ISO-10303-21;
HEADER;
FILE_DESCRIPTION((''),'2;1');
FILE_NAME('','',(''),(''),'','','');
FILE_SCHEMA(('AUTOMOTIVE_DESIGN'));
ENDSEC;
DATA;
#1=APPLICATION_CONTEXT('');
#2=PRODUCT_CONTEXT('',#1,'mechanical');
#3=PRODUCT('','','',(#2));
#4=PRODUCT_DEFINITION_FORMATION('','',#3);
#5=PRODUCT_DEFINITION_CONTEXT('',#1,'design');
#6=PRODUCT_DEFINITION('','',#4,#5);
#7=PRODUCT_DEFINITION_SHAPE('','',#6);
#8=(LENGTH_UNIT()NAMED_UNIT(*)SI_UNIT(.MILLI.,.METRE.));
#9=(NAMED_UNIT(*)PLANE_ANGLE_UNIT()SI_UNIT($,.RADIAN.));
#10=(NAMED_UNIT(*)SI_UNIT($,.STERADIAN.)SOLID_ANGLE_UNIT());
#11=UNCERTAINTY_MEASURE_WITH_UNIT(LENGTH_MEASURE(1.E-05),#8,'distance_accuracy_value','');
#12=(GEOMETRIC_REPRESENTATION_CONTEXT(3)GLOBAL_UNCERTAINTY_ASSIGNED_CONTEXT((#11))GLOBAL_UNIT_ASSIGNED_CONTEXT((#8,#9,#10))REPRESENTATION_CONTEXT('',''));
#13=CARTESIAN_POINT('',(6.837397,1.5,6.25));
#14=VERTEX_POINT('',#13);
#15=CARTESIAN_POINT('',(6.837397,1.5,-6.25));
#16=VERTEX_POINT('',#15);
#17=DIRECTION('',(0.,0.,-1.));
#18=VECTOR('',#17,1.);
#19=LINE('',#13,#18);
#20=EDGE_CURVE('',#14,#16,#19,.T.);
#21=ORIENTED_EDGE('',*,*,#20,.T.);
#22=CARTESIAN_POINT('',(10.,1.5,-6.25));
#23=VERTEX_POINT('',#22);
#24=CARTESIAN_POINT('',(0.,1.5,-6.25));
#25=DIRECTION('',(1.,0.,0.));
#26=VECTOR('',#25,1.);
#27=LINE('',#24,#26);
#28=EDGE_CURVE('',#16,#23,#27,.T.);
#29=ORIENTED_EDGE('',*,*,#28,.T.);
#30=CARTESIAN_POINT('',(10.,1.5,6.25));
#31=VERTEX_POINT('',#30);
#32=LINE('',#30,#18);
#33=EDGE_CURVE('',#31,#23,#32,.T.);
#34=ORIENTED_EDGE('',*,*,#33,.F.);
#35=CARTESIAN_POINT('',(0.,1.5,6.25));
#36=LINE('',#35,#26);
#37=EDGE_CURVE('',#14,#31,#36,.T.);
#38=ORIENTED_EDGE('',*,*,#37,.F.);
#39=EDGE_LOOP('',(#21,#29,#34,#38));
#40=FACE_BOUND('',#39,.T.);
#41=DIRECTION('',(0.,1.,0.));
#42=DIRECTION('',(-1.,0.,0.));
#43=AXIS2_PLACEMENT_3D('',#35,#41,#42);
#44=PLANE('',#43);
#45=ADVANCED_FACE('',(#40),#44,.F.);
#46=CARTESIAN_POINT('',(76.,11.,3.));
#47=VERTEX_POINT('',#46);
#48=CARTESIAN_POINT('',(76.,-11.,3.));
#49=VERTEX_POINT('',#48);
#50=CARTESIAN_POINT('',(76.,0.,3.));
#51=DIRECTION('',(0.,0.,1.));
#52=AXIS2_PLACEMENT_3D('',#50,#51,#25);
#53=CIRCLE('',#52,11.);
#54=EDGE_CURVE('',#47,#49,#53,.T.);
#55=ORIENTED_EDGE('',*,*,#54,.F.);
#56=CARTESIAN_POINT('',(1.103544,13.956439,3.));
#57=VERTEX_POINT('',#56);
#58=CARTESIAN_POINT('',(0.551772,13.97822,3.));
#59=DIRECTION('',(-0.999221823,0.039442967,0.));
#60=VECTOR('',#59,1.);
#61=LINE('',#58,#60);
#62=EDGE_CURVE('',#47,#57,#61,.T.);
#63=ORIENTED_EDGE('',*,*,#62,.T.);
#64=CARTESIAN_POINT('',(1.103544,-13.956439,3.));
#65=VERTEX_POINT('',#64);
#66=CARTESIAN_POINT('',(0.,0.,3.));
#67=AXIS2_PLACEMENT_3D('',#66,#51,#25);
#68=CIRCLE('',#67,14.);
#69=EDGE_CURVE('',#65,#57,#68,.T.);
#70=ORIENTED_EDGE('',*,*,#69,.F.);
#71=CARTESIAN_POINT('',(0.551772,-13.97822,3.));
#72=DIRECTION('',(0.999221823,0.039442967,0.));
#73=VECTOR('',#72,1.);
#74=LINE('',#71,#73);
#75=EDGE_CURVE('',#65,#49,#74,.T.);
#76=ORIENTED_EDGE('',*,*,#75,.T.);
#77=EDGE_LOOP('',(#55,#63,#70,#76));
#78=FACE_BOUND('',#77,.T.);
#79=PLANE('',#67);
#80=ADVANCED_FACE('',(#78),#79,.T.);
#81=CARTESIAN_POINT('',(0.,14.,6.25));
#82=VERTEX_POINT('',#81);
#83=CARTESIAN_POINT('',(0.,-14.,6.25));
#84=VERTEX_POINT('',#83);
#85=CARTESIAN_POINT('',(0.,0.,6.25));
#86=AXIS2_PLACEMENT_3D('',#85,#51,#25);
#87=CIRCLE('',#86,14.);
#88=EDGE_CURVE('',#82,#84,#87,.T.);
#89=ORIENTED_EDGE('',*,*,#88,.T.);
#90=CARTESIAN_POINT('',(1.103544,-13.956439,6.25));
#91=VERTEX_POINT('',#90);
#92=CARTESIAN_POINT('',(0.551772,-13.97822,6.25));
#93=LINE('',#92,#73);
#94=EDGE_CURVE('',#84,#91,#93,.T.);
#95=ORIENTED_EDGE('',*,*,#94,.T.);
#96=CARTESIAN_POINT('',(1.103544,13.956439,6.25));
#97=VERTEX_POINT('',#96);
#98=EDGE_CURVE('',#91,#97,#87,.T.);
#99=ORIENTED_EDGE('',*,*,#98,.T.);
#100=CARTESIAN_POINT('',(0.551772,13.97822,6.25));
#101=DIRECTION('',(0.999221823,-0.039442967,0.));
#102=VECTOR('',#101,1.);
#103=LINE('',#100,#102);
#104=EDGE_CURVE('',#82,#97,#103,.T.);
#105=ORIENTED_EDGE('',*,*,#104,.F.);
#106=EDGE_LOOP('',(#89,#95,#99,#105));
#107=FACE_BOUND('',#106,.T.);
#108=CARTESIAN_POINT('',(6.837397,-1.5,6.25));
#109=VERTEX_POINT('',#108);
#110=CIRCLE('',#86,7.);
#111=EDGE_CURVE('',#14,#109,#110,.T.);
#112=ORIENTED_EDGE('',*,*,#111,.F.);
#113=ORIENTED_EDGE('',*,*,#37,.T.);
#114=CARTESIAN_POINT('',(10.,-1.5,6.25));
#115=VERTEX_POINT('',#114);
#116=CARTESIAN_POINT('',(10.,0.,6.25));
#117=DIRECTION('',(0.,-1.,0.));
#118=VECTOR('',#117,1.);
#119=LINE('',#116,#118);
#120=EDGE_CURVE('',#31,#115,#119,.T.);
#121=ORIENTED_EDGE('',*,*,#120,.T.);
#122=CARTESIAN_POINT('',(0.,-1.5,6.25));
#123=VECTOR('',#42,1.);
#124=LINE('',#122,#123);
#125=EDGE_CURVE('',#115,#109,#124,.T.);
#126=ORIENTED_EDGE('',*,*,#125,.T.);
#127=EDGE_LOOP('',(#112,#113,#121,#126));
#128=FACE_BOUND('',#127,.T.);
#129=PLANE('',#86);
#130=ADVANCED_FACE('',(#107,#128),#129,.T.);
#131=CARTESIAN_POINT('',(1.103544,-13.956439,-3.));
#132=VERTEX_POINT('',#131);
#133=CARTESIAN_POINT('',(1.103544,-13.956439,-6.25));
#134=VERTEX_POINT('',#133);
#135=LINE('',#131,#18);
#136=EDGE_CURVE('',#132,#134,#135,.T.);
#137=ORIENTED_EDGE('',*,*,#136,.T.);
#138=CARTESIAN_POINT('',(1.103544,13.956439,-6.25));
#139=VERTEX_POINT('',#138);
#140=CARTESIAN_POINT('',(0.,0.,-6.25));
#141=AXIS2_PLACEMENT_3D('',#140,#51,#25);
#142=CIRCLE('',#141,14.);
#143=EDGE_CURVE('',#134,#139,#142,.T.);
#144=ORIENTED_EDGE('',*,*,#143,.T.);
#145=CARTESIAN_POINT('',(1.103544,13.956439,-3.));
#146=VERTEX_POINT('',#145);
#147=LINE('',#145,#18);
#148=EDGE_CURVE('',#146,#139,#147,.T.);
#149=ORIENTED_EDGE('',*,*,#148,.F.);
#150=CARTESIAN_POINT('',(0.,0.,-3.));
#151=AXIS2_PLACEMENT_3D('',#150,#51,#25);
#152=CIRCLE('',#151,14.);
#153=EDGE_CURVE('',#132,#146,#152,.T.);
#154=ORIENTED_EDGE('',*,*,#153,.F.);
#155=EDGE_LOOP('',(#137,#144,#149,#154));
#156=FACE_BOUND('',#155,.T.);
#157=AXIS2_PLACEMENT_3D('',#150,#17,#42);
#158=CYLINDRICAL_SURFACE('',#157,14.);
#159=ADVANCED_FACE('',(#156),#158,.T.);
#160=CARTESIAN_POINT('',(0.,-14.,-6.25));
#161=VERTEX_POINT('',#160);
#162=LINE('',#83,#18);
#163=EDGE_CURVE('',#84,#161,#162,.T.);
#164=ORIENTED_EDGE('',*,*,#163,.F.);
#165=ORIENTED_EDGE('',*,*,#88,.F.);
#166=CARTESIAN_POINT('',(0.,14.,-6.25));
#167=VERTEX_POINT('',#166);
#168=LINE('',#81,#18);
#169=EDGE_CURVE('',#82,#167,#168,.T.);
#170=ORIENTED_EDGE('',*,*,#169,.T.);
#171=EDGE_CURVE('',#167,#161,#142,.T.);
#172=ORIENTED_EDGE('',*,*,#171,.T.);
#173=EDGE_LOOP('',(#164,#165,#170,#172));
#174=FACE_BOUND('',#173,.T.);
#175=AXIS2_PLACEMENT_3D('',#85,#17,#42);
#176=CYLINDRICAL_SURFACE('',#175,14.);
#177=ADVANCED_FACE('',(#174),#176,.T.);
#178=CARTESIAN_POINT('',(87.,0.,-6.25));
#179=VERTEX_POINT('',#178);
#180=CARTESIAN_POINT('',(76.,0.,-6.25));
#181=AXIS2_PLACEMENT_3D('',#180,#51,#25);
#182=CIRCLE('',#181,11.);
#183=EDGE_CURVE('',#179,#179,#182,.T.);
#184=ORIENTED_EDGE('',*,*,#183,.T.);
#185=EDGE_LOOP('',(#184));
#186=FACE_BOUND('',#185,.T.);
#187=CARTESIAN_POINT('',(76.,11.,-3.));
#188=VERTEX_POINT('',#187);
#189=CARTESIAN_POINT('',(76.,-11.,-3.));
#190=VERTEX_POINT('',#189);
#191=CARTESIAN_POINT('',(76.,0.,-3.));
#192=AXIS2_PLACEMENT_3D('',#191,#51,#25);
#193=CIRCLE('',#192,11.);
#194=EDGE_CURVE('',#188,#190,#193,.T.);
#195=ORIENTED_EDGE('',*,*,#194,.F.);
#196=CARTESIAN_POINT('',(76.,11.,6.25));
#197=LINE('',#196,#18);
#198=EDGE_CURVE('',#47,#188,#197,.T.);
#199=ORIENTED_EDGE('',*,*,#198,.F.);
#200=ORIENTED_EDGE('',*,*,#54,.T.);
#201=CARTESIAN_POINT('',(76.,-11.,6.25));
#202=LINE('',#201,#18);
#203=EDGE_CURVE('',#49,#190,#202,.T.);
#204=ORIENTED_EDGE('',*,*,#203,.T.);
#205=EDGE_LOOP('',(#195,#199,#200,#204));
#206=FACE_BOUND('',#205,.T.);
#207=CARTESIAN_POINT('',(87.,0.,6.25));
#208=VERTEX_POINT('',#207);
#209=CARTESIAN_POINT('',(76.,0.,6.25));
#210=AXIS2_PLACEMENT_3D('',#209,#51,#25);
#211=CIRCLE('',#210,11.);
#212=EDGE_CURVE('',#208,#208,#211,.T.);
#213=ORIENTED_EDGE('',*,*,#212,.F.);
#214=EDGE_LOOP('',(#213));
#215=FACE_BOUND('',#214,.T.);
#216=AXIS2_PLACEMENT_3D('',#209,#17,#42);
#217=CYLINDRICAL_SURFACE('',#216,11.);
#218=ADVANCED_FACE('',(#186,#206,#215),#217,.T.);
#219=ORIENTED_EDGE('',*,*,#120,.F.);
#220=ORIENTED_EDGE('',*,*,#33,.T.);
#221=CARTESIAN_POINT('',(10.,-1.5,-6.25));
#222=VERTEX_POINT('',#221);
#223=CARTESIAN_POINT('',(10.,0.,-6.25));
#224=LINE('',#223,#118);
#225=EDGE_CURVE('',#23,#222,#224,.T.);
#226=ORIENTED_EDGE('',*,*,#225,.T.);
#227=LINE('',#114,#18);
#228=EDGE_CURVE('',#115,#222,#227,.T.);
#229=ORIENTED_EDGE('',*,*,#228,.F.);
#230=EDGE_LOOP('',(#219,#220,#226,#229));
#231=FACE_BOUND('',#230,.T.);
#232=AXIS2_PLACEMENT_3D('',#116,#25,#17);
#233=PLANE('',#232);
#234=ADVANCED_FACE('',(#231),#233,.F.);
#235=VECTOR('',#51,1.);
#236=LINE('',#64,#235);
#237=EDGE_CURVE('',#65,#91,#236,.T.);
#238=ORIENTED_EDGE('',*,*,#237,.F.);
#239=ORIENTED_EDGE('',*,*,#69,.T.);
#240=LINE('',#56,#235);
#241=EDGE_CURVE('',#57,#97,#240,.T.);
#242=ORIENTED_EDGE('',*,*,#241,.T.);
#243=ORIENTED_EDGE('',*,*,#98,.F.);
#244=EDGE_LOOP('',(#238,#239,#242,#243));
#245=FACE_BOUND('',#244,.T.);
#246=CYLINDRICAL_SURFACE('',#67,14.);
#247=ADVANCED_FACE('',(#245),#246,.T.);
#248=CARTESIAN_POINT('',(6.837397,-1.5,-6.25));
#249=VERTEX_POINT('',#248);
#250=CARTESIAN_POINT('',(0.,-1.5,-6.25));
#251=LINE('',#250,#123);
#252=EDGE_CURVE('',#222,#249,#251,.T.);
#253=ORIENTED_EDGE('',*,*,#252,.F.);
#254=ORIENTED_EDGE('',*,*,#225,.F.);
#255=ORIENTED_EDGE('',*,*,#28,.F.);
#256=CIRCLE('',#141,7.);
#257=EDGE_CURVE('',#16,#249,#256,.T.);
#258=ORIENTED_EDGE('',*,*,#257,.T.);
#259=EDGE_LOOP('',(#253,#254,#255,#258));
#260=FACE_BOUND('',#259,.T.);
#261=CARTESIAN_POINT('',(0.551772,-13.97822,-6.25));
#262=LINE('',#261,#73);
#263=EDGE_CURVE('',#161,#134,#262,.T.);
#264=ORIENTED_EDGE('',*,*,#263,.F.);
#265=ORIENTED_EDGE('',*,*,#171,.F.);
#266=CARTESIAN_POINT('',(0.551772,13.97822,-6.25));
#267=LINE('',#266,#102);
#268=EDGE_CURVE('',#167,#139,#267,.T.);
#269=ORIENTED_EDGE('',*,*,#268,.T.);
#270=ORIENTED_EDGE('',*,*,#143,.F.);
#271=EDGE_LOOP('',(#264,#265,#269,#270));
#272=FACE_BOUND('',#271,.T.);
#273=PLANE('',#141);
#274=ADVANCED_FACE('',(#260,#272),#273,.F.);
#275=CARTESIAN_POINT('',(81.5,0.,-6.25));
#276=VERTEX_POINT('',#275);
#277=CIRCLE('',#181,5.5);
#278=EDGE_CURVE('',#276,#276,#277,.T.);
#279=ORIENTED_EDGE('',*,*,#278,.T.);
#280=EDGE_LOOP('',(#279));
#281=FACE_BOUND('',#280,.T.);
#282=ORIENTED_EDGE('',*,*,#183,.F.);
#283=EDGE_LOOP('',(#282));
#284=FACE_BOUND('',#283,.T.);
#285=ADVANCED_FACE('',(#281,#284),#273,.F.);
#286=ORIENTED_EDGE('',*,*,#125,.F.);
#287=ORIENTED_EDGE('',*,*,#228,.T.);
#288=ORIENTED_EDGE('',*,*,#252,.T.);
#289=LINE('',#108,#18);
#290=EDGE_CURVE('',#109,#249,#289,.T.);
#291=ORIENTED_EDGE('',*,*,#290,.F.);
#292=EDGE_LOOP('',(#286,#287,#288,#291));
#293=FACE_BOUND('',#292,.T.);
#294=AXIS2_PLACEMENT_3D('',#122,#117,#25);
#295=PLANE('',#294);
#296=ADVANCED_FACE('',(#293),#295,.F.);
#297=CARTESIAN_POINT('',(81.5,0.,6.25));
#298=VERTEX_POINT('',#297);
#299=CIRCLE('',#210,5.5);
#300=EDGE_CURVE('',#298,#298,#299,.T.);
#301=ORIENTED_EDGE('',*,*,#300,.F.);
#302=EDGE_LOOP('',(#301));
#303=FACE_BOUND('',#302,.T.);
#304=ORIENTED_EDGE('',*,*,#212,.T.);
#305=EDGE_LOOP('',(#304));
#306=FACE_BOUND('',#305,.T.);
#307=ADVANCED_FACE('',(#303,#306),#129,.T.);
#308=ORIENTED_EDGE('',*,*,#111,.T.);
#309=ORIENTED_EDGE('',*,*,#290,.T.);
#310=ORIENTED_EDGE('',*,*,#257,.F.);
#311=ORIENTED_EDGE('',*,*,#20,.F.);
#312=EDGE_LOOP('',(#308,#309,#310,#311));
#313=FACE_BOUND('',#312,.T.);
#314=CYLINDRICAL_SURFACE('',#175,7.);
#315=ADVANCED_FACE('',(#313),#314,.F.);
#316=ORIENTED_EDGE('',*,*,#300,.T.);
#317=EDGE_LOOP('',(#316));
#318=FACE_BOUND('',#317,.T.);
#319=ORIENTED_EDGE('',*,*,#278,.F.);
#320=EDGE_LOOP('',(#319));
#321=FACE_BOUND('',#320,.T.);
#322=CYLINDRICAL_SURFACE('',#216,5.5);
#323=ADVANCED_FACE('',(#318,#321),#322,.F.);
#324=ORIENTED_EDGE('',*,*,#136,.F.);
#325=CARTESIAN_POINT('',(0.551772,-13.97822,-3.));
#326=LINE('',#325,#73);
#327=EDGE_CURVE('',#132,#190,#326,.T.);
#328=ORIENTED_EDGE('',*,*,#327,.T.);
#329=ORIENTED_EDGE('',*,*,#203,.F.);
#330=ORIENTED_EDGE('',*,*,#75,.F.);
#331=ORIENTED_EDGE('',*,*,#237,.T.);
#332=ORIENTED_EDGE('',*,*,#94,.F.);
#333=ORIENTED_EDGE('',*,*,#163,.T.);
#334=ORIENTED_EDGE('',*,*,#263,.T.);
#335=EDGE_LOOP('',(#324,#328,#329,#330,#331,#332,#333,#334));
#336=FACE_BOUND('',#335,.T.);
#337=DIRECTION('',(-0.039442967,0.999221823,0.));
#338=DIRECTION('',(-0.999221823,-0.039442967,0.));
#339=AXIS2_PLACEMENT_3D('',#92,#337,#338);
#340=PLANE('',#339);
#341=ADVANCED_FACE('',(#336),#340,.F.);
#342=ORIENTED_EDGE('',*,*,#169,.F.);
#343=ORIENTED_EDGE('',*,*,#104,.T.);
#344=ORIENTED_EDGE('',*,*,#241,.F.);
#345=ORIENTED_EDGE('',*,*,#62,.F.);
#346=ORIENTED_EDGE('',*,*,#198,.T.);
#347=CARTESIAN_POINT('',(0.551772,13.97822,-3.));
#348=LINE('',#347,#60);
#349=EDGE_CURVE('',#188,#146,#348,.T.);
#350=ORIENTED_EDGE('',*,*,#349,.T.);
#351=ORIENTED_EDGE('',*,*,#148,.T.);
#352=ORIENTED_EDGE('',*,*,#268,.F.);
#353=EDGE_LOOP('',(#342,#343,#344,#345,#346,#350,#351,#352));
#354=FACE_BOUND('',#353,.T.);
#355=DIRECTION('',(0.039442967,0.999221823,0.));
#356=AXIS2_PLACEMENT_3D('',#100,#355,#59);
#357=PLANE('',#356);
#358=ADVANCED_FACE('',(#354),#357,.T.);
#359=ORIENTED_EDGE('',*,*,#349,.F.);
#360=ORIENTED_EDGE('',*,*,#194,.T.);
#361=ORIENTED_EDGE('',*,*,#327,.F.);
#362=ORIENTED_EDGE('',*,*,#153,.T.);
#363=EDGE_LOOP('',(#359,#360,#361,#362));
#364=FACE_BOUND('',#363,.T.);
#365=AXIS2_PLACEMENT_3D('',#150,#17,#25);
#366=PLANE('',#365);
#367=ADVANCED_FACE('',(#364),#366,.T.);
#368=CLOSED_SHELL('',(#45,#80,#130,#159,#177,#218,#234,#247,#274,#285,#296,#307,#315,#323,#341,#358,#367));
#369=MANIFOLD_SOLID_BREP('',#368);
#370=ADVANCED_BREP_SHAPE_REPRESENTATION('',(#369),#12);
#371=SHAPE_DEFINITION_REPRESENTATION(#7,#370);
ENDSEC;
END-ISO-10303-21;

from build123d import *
from build123d.topology import SkipClean

# Parameters (mm, degrees)
SKETCH4_R           = 5.5
BOSS_EXTRUDE3_DEPTH = 6.25
CUT_EXTRUDE1_DEPTH  = 3.25


with BuildPart() as part:
    # Sketch4 → Boss-Extrude3 (new, symmetric)
    with BuildSketch(Plane.XY):
        with BuildLine():
            ThreePointArc((0, 14), (-14, 0), (0, -14))
            Line((0, -14), (76, -11))
            ThreePointArc((76, -11), (87, 0), (76, 11))
            Line((76, 11), (0, 14))
        make_face()
        with BuildLine():
            ThreePointArc((6.837397166, -1.5), (-7, 0), (6.837397166, 1.5))
            Line((6.837397166, 1.5), (10, 1.5))
            Line((10, 1.5), (10, -1.5))
            Line((10, -1.5), (6.837397166, -1.5))
        make_face(mode=Mode.SUBTRACT)
        with Locations((76, 0)):
            Circle(SKETCH4_R, mode=Mode.SUBTRACT)
    extrude(amount=BOSS_EXTRUDE3_DEPTH, both=True)

    # Sketch5 → Cut-Extrude1 (cut)
    with SkipClean():  # the faces are left unmerged after this step: merging them gives an invalid solid
        with BuildSketch(Plane.XY.offset(6.25)):
            with BuildLine():
                Line((76, 11), (1.103543647, 13.956439067))
                ThreePointArc((1.103543647, 13.956439067), (14, 0), (1.103543647, -13.956439067))
                Line((1.103543647, -13.956439067), (76, -11))
                ThreePointArc((76, -11), (65, 0), (76, 11))
            make_face()
        cut_extrude1 = extrude(amount=-CUT_EXTRUDE1_DEPTH, mode=Mode.SUBTRACT)

    # Mirror1: Cut-Extrude1 across plane
    with SkipClean():  # the faces are left unmerged after this step: merging them gives an invalid solid
        add(cut_extrude1.mirror(Plane.XY), mode=Mode.SUBTRACT)


solid = part.part
